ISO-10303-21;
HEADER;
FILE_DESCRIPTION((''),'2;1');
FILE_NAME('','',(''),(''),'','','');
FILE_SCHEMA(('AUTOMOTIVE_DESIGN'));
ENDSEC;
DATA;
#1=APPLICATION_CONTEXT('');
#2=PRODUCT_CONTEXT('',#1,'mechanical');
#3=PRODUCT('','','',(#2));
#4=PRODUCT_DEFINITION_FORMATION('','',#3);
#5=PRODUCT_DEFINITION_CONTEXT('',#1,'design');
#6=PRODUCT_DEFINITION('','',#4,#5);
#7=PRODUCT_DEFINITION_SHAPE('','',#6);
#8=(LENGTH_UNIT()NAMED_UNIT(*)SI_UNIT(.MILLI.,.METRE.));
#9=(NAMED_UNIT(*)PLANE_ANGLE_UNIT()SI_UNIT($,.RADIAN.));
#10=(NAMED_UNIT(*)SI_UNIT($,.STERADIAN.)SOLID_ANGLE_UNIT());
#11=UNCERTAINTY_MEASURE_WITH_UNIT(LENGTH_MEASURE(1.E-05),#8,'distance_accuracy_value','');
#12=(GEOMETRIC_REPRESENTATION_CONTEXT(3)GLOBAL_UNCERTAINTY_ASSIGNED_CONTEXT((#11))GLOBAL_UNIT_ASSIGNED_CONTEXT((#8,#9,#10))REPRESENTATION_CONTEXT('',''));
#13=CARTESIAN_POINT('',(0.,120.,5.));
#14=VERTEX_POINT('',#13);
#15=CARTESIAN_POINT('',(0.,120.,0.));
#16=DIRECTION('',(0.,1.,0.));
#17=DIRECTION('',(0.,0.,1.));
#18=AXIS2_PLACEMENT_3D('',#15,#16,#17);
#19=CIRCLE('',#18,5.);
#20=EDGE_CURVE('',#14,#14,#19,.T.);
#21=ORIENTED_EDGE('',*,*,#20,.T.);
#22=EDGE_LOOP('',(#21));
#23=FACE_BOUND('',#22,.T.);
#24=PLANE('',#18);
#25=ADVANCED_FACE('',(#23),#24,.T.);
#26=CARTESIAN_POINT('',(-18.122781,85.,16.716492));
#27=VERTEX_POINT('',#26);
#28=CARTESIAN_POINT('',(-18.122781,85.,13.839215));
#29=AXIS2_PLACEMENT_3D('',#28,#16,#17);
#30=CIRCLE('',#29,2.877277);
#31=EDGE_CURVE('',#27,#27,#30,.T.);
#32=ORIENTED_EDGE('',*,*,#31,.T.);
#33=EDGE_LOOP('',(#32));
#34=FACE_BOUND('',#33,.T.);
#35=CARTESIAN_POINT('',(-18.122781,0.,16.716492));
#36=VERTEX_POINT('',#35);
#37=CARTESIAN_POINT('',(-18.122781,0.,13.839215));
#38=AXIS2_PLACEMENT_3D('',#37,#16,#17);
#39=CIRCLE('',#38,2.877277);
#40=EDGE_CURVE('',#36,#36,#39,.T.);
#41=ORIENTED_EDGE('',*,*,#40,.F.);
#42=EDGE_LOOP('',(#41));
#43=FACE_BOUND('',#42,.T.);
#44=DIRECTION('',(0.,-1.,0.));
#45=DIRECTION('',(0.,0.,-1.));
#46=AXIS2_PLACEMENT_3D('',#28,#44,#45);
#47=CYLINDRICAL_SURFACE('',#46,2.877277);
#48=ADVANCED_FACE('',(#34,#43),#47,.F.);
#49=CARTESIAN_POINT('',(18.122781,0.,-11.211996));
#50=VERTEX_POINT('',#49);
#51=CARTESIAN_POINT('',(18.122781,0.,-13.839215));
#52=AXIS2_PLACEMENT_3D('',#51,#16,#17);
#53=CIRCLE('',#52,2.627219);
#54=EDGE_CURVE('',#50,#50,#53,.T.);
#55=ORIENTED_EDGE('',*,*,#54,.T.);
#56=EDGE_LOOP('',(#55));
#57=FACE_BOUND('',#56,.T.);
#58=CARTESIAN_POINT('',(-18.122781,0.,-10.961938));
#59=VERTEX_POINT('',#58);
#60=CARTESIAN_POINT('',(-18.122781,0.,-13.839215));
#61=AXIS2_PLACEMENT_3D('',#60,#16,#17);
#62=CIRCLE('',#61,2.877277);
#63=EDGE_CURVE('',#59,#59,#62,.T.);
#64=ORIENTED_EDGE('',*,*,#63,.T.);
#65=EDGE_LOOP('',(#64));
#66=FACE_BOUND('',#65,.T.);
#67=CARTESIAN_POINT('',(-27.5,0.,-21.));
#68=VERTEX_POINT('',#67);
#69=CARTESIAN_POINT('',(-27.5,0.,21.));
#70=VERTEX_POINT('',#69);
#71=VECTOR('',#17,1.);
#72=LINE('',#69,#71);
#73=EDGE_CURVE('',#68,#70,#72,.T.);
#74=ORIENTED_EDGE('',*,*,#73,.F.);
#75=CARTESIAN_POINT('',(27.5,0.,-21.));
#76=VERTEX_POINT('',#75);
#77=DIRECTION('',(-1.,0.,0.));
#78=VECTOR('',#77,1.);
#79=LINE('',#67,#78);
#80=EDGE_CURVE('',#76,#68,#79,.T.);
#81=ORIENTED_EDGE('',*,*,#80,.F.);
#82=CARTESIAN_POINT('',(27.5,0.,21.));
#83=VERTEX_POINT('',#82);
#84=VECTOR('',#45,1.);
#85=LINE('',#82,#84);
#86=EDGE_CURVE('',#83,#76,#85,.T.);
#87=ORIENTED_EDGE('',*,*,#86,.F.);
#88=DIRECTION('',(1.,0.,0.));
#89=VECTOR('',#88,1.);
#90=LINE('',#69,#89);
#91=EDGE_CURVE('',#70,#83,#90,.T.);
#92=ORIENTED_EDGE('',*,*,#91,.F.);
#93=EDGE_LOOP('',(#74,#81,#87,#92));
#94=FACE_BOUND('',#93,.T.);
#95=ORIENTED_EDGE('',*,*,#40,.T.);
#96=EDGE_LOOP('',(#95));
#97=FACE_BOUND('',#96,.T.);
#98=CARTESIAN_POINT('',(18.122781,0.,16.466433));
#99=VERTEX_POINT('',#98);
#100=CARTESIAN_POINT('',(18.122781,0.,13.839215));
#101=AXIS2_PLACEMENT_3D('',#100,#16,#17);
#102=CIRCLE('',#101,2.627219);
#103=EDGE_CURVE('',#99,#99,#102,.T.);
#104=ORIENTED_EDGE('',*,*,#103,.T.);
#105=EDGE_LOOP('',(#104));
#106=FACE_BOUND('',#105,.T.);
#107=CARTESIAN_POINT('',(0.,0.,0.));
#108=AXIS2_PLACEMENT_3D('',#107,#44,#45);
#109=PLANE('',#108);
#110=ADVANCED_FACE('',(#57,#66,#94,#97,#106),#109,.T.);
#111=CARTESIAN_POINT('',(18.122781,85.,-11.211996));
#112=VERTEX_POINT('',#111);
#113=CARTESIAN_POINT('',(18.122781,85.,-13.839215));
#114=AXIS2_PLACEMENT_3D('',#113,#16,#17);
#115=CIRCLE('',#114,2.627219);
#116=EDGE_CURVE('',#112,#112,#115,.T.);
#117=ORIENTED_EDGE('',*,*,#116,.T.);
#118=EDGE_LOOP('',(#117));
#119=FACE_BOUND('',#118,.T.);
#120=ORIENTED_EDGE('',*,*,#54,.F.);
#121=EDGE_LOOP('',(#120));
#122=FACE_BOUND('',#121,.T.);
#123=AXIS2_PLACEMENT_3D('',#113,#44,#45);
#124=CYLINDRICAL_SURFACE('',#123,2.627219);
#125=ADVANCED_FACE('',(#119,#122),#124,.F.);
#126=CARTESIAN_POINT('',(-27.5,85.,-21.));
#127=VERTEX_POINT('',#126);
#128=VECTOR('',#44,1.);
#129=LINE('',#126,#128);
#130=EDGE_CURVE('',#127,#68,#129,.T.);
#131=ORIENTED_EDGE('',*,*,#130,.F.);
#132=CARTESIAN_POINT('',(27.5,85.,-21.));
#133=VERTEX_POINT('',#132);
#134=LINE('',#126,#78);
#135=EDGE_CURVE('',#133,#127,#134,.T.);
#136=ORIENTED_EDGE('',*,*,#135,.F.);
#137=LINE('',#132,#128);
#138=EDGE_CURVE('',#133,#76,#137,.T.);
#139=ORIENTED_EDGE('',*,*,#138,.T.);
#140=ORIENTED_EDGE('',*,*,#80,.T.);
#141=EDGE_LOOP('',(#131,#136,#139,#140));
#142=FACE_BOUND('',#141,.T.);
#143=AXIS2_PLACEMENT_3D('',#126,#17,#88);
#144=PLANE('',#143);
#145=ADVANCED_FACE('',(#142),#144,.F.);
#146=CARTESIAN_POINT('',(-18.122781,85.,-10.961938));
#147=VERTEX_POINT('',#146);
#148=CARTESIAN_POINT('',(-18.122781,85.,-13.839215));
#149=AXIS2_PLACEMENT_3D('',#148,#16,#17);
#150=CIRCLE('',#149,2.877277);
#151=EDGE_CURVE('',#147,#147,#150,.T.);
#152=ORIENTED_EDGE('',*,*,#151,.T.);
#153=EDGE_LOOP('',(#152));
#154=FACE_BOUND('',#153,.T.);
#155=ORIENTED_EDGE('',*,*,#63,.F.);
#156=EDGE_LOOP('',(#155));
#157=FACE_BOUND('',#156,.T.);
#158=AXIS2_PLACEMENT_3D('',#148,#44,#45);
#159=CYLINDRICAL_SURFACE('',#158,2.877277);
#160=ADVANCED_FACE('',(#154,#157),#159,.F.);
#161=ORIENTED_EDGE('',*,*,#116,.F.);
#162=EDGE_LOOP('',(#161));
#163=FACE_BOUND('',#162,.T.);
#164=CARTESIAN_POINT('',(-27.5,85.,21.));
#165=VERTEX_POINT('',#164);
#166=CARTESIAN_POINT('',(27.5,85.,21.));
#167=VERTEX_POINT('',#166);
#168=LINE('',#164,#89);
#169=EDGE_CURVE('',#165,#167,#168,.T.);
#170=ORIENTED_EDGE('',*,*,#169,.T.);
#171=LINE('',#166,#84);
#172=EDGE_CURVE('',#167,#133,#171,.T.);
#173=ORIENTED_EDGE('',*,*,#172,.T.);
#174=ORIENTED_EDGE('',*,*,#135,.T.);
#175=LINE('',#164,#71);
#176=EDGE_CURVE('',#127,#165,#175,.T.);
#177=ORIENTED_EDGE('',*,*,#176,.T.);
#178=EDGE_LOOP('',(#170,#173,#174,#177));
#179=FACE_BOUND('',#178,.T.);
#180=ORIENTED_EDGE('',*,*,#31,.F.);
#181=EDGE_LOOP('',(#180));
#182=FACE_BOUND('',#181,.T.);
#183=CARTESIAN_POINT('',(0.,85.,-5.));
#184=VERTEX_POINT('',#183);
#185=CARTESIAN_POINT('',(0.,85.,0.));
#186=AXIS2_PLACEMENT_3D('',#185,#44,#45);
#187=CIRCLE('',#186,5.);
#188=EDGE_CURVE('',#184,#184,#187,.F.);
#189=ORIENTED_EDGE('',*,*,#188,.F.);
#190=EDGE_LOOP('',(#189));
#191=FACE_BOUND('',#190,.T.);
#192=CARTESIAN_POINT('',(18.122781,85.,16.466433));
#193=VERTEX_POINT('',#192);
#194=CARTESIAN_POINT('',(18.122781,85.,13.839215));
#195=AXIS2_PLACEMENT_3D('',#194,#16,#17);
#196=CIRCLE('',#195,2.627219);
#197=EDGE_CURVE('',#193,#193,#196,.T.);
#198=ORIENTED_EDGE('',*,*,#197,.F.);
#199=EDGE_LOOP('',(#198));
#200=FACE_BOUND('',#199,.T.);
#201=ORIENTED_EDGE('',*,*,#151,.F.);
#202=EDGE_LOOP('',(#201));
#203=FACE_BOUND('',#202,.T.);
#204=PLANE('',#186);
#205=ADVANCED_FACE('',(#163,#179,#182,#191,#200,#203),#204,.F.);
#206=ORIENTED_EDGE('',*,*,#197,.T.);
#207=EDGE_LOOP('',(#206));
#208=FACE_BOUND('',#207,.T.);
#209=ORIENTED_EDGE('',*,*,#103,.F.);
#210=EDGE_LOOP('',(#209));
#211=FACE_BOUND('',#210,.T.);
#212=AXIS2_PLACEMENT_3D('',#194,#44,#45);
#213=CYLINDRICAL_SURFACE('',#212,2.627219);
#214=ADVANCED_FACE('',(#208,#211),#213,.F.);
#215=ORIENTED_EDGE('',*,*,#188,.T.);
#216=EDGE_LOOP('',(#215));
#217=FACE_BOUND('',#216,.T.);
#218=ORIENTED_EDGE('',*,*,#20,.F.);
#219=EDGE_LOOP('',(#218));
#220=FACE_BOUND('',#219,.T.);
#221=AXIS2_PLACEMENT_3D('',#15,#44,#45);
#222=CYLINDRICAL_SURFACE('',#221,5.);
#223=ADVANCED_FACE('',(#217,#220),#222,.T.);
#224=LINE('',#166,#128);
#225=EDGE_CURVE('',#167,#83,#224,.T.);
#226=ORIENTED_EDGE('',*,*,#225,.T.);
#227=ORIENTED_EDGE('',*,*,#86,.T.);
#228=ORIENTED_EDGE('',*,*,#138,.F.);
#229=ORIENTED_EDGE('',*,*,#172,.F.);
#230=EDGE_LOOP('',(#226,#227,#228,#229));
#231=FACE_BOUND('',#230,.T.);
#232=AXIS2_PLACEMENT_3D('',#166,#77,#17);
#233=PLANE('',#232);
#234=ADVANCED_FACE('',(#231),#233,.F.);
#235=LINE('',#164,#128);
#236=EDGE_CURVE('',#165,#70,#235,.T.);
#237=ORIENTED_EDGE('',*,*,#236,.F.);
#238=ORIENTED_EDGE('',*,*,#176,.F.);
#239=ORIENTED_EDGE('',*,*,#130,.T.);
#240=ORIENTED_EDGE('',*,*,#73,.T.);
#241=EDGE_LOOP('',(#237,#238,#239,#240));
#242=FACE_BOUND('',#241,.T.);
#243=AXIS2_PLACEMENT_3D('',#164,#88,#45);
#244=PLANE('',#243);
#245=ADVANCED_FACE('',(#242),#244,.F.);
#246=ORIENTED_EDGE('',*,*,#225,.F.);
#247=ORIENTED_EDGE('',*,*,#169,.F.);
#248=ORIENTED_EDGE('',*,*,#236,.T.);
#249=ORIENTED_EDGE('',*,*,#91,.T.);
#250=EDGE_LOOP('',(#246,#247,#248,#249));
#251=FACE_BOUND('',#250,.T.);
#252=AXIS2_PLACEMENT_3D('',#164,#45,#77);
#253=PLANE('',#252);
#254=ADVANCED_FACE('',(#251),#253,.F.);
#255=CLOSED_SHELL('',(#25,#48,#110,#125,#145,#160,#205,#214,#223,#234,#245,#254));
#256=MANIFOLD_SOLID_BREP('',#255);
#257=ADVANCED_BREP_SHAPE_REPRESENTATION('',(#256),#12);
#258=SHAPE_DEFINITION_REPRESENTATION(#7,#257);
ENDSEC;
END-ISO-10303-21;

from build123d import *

# Parameters (mm, degrees)
F_01_HOUSING_PROFILE_W      = 55
F_01_HOUSING_PROFILE_H      = 42
F_01_HOUSING_PROFILE_R      = 2.877277304
F_01_HOUSING_PROFILE_R_2    = 2.627218626
F_01_HOUSING_BLOCK_DEPTH    = 85
F_03_OUTPUT_SHAFT_PROFILE_R = 5
F_03_OUTPUT_SHAFT_DEPTH     = 120


with BuildPart() as part:
    # 01_Housing_Profile → 01_Housing_Block (new body)
    with BuildSketch(Plane(origin=(0, 0, 0), x_dir=(1, 0, 0), z_dir=(0, 1, 0))):
        Rectangle(F_01_HOUSING_PROFILE_W, F_01_HOUSING_PROFILE_H)
        with Locations(Location((-18.122781374, -13.839214867, 0), (0, 0, 270))):
            Circle(F_01_HOUSING_PROFILE_R, mode=Mode.SUBTRACT)
        with Locations(Location((18.122781374, -13.839214867, 0), (0, 0, 270))):
            Circle(F_01_HOUSING_PROFILE_R_2, mode=Mode.SUBTRACT)
        with Locations(Location((-18.122781374, 13.839214867, 0), (0, 0, 270))):
            Circle(F_01_HOUSING_PROFILE_R, mode=Mode.SUBTRACT)
        with Locations(Location((18.122781374, 13.839214867, 0), (0, 0, 270))):
            Circle(F_01_HOUSING_PROFILE_R_2, mode=Mode.SUBTRACT)
    extrude(amount=F_01_HOUSING_BLOCK_DEPTH)

    # 03_Output_Shaft_Profile → 03_Output_Shaft (add)
    with BuildSketch(Plane(origin=(0, 0, 0), x_dir=(1, 0, 0), z_dir=(0, 1, 0))):
        with Locations(Location((0, 0, 0), (0, 0, 90))):
            Circle(F_03_OUTPUT_SHAFT_PROFILE_R)
    extrude(amount=F_03_OUTPUT_SHAFT_DEPTH)


solid = part.part
